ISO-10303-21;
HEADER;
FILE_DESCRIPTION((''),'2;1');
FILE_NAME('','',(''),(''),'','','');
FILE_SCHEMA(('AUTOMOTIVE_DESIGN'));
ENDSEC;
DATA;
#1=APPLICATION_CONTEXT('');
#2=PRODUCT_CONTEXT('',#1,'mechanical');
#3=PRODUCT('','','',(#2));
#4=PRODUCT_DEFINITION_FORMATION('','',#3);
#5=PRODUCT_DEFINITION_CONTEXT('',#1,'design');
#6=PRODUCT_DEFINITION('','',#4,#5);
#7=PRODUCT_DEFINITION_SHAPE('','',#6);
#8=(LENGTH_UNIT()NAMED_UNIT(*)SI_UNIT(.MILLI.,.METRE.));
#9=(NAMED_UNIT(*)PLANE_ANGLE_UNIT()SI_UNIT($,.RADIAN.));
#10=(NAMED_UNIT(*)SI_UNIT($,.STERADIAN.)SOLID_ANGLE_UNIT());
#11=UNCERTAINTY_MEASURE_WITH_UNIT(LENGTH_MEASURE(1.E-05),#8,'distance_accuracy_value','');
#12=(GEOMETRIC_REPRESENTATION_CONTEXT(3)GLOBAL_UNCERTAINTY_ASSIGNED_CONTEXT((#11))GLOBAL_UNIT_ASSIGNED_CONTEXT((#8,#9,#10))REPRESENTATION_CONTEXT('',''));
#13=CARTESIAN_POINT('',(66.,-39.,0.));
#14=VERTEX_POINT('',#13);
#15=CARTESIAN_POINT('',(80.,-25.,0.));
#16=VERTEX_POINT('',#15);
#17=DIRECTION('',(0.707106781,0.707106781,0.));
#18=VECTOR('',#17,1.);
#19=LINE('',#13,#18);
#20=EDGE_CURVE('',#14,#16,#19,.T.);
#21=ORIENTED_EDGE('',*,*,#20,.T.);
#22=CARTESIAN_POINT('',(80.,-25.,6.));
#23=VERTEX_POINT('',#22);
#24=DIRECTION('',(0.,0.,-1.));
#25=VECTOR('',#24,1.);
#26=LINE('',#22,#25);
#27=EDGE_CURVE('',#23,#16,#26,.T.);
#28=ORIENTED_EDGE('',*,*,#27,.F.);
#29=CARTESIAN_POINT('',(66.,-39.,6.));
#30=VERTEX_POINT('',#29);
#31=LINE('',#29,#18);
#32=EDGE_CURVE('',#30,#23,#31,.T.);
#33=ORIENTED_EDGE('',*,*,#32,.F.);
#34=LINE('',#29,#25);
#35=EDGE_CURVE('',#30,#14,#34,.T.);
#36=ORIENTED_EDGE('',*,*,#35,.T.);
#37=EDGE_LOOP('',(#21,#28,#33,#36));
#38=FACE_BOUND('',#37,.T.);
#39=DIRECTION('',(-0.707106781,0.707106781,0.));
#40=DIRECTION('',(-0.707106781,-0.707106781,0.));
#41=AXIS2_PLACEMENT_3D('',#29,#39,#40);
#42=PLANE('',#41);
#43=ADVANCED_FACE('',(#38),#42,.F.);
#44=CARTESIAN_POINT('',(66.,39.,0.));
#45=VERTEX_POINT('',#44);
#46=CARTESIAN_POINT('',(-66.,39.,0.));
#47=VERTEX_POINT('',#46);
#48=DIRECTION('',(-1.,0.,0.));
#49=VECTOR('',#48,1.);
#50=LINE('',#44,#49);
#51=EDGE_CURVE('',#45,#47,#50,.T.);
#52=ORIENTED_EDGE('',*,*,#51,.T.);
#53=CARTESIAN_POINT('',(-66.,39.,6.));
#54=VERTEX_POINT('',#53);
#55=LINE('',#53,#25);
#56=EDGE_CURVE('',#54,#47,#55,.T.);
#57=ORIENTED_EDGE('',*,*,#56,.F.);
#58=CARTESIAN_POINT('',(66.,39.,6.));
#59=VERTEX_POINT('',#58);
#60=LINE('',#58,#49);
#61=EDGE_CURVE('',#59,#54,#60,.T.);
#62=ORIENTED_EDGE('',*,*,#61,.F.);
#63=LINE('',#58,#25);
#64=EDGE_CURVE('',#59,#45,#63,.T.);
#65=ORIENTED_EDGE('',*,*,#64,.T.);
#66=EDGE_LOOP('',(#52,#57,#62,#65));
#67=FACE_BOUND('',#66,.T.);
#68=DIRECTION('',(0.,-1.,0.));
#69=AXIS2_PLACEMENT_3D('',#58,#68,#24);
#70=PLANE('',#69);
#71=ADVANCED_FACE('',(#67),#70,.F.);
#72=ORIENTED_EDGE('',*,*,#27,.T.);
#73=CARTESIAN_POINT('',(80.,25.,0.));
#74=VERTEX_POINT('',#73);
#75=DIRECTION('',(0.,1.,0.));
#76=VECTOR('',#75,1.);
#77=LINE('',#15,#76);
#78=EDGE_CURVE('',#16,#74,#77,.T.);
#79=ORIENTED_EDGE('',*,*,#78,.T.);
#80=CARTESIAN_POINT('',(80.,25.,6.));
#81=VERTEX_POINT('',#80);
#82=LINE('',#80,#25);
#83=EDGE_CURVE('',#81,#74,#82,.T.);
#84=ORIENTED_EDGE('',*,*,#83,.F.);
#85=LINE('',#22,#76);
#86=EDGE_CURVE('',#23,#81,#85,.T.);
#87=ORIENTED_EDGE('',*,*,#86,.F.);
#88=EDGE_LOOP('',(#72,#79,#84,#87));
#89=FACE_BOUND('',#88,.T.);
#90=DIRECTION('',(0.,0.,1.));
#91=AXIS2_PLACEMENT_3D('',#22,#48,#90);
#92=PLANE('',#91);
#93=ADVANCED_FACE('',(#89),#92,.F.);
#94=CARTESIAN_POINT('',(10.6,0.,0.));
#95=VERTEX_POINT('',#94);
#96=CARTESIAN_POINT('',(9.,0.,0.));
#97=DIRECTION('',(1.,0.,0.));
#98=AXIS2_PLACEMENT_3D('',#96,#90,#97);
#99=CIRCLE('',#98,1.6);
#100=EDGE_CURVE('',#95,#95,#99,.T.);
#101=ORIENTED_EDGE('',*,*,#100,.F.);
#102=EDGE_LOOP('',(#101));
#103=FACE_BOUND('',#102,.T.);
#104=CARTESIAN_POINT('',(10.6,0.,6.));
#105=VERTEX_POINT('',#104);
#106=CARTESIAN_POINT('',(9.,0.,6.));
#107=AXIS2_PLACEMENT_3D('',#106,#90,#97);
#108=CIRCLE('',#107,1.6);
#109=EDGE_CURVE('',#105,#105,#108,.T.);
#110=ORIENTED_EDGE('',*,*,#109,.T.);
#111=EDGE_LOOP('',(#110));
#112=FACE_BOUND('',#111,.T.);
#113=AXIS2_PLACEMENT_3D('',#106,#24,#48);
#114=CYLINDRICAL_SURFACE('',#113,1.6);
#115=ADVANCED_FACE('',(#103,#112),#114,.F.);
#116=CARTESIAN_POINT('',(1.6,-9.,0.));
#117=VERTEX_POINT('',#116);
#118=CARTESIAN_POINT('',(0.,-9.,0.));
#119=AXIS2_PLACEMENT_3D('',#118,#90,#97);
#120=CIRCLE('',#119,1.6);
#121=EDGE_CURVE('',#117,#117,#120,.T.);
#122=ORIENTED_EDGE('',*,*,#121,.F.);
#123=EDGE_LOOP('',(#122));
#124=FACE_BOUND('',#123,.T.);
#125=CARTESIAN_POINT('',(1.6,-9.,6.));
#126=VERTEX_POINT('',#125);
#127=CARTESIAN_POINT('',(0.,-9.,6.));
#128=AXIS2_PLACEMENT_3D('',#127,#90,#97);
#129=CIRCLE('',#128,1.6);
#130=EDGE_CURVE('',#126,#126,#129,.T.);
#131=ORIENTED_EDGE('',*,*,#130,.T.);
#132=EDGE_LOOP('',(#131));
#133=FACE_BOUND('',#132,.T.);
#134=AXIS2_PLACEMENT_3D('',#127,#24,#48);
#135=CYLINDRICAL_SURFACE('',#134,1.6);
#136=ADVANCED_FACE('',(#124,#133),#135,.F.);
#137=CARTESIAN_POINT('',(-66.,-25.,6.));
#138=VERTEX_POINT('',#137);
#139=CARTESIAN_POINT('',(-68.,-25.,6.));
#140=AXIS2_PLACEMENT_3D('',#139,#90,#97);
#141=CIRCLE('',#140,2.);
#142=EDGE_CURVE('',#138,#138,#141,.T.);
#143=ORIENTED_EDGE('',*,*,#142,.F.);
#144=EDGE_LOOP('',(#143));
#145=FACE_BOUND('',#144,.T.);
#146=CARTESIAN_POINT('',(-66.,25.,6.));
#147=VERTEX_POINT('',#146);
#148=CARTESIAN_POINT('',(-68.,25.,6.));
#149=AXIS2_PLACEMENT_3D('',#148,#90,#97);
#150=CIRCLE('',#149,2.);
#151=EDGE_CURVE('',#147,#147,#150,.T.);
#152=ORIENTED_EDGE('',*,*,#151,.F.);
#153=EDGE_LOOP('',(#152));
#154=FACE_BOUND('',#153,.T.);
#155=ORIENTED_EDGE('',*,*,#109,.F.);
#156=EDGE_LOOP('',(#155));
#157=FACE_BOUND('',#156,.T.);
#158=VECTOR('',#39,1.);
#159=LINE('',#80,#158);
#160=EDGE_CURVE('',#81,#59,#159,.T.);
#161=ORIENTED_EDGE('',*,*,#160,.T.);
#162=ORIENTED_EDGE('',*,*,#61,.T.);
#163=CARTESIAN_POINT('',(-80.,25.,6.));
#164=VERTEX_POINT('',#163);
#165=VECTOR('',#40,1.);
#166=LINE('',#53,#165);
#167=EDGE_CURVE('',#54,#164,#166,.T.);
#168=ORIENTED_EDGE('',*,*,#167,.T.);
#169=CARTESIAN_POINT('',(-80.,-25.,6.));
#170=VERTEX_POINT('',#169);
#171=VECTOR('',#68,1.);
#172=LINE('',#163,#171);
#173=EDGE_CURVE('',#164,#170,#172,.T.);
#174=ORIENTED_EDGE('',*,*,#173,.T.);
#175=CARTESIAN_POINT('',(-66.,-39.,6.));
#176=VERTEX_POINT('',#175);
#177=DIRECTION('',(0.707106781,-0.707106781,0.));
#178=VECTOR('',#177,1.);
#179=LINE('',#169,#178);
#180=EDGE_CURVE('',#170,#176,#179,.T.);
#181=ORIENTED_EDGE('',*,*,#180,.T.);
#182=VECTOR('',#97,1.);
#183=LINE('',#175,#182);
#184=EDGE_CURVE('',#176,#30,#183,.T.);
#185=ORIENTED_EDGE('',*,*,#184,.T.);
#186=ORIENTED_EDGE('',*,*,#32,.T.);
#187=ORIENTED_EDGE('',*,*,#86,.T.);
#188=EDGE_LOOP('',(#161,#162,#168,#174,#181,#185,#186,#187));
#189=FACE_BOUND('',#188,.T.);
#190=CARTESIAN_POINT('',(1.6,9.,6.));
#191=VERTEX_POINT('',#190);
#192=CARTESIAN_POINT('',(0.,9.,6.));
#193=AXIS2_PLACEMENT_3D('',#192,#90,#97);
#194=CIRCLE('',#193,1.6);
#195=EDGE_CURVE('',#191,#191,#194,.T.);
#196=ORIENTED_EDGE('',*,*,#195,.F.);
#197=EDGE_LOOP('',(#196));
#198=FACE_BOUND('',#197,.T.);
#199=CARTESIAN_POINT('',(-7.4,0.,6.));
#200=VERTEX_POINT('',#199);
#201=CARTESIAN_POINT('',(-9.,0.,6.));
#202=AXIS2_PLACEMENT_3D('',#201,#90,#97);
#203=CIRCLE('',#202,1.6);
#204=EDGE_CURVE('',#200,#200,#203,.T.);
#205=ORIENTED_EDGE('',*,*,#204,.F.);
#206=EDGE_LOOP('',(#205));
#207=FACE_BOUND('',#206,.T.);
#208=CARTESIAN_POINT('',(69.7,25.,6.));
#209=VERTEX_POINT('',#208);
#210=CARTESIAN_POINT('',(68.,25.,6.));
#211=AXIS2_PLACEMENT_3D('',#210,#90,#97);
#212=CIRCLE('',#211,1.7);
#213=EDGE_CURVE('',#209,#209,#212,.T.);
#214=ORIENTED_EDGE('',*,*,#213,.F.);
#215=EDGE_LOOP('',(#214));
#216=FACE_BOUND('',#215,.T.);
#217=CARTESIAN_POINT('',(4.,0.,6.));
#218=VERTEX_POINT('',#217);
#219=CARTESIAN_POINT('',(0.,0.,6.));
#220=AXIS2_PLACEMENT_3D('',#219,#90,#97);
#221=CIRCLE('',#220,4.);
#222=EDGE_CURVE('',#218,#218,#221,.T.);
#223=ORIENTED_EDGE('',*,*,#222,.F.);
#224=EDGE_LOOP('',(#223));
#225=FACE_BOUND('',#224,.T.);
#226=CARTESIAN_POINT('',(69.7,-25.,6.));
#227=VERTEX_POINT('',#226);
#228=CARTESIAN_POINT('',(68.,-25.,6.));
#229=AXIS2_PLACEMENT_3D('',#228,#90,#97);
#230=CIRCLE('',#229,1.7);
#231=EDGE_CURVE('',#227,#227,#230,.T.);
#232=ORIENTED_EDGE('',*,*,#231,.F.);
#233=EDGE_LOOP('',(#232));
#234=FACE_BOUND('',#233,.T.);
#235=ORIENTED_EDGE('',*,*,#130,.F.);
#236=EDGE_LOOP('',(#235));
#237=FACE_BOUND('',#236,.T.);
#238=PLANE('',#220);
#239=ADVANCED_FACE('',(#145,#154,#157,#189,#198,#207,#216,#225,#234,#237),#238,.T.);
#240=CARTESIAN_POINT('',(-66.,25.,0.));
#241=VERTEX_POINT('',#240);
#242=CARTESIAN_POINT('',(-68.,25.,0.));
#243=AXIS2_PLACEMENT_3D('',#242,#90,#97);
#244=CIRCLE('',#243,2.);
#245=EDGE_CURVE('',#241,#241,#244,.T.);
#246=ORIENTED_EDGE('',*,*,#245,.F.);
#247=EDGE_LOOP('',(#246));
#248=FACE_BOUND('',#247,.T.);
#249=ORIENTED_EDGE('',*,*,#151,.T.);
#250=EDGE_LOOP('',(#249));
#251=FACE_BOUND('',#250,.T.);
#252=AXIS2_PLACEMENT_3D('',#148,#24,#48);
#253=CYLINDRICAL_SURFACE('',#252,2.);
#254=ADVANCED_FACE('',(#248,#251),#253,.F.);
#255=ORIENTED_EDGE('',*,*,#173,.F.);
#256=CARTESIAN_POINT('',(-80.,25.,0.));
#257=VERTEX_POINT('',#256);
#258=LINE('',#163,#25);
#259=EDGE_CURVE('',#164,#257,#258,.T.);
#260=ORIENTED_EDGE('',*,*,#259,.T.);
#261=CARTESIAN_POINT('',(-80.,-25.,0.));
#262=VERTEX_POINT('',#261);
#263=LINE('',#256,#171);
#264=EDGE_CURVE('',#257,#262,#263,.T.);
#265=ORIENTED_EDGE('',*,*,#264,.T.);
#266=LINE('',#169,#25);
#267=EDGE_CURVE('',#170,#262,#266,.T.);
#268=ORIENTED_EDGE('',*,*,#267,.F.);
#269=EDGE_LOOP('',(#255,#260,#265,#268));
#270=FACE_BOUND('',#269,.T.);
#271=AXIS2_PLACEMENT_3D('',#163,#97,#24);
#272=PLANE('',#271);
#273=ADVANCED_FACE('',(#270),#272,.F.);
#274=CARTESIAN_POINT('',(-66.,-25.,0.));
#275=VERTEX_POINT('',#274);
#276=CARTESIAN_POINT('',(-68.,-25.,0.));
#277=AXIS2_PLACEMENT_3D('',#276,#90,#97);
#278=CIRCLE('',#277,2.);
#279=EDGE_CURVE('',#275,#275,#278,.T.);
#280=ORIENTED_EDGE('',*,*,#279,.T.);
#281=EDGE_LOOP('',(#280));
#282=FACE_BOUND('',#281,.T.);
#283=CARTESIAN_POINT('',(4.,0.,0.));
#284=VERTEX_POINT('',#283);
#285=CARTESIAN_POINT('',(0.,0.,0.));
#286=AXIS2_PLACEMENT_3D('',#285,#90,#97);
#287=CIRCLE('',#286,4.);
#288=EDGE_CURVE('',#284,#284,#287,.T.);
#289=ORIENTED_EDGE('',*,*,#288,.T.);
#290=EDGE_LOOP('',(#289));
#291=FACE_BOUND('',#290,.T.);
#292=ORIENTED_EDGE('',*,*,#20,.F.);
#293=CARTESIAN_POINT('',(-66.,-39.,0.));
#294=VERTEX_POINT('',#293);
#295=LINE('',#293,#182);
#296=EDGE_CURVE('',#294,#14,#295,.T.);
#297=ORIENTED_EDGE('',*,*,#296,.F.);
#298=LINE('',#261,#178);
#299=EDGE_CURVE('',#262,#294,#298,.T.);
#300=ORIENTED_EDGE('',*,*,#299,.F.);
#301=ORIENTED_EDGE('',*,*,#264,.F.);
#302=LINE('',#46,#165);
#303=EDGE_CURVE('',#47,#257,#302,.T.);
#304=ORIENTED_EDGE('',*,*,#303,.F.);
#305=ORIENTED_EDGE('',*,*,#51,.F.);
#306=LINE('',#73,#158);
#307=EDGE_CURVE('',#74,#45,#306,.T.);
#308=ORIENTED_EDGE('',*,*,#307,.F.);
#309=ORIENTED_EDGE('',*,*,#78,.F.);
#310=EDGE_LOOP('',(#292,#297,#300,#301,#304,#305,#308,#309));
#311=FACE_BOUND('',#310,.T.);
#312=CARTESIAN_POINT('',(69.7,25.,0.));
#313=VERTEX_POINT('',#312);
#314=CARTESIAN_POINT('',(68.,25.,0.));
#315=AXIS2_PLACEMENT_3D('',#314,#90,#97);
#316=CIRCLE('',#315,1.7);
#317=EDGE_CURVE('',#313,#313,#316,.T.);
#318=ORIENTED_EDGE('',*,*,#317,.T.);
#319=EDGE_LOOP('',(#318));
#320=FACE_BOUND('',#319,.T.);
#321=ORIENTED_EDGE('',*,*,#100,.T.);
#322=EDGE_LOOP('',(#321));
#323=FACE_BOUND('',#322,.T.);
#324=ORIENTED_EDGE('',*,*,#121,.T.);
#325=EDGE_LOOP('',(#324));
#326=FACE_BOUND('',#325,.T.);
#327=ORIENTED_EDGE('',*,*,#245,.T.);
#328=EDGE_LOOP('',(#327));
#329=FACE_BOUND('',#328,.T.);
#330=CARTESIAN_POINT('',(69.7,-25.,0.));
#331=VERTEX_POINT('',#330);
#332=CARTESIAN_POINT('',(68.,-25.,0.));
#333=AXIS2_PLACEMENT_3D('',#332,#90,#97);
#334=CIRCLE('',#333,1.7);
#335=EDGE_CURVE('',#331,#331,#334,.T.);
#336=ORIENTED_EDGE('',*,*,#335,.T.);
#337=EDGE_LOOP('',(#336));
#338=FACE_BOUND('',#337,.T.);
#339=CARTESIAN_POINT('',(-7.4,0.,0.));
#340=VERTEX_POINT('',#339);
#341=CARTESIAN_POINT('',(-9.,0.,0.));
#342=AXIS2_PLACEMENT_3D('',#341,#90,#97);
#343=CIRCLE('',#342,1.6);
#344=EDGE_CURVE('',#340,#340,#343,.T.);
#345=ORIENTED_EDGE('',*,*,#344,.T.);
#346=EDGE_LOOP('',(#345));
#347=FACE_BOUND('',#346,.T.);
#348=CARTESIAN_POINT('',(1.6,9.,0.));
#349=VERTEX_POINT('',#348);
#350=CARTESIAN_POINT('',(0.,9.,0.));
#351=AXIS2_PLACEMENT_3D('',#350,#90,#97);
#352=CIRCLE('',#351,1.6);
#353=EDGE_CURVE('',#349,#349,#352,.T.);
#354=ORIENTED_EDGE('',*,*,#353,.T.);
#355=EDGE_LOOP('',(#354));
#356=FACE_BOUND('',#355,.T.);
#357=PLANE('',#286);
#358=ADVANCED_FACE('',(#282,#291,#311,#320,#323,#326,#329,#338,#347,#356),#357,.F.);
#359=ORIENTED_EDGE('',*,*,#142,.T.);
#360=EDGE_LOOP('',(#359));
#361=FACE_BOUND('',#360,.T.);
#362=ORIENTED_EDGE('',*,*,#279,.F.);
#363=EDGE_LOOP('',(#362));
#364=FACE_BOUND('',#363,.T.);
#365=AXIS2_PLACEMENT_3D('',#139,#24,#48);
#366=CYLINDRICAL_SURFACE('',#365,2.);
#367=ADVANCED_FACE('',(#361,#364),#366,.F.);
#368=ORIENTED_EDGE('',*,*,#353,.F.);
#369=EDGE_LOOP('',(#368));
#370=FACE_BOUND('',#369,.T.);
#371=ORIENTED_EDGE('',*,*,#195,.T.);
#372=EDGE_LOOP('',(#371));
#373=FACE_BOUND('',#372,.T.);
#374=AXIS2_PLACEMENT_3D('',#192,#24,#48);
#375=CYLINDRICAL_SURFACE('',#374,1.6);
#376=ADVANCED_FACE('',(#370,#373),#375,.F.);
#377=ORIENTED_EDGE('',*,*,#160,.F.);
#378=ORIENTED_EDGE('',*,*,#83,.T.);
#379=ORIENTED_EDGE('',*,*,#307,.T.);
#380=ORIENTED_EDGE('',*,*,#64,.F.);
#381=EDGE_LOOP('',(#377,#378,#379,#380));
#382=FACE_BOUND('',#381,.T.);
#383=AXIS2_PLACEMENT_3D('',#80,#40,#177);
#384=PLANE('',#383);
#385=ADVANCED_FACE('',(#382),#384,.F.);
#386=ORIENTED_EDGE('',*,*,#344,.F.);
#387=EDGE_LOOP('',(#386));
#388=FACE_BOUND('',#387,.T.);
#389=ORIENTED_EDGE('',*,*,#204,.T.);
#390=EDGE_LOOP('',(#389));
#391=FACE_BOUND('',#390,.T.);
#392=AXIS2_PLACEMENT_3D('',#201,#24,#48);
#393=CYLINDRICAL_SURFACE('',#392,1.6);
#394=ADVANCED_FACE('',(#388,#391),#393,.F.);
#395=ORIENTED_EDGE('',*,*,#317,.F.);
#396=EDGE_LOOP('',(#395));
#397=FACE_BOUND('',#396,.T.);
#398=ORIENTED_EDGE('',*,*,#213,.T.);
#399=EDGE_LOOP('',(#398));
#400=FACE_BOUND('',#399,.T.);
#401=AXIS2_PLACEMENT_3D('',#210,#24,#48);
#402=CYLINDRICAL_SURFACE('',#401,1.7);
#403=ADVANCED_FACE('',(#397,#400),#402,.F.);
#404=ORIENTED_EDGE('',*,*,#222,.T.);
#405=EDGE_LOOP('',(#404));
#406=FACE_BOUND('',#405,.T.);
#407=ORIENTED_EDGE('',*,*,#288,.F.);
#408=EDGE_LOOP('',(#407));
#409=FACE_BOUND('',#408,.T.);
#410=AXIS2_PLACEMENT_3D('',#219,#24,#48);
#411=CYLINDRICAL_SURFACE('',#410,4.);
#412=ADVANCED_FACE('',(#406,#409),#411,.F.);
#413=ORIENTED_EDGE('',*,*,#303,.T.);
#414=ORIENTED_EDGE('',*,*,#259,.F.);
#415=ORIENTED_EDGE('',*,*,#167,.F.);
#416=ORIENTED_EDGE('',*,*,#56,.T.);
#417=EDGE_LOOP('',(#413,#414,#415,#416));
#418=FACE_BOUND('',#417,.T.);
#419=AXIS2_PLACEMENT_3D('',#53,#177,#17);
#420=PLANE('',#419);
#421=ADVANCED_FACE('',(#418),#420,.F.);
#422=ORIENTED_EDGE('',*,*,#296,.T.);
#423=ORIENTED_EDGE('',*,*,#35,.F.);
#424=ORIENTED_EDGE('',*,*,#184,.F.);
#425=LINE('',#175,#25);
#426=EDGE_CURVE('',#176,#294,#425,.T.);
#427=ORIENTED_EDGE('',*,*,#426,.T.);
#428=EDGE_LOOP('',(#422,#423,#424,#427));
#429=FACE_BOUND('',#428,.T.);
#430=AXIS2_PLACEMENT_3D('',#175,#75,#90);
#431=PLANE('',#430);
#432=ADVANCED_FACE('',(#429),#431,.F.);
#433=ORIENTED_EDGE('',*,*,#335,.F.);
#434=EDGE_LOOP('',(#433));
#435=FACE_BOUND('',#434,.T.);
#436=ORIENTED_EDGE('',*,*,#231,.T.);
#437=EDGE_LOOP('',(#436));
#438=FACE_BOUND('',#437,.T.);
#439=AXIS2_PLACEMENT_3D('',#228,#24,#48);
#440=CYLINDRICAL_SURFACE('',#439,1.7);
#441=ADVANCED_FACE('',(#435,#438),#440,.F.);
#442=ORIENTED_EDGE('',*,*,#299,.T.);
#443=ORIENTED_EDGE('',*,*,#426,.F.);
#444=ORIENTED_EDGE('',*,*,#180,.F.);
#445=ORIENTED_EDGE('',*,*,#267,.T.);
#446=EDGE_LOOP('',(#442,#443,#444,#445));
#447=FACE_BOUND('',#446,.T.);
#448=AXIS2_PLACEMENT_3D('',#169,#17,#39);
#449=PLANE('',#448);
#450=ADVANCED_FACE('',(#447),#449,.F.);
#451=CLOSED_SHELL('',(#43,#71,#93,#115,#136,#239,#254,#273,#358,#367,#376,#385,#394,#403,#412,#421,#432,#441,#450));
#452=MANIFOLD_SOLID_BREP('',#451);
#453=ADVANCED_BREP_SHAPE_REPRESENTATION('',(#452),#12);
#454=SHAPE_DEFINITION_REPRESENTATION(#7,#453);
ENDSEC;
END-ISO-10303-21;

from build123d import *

# Parameters (mm, degrees)
SKETCH_1_R               = 4
SKETCH_1_R_2             = 1.6
SKETCH_1_R_3             = 2
SKETCH_1_R_4             = 1.7
F_06_ROTATING_YOKE_DEPTH = 6


with BuildPart() as part:
    # Эскиз1 → 06_Rotating_yoke (new body)
    with BuildSketch(Plane.XY):
        Polygon((-66, -39), (66, -39), (80, -25), (80, 25), (66, 39), (-66, 39), (-80, 25), (-80, -25), align=None)
        Circle(SKETCH_1_R, mode=Mode.SUBTRACT)
        with Locations((-9, 0)):
            Circle(SKETCH_1_R_2, mode=Mode.SUBTRACT)
        with Locations((9, 0)):
            Circle(SKETCH_1_R_2, mode=Mode.SUBTRACT)
        with Locations((0, 9)):
            Circle(SKETCH_1_R_2, mode=Mode.SUBTRACT)
        with Locations((0, -9)):
            Circle(SKETCH_1_R_2, mode=Mode.SUBTRACT)
        with Locations((-68, -25)):
            Circle(SKETCH_1_R_3, mode=Mode.SUBTRACT)
        with Locations((-68, 25)):
            Circle(SKETCH_1_R_3, mode=Mode.SUBTRACT)
        with Locations((68, -25)):
            Circle(SKETCH_1_R_4, mode=Mode.SUBTRACT)
        with Locations((68, 25)):
            Circle(SKETCH_1_R_4, mode=Mode.SUBTRACT)
    extrude(amount=F_06_ROTATING_YOKE_DEPTH)


solid = part.part
